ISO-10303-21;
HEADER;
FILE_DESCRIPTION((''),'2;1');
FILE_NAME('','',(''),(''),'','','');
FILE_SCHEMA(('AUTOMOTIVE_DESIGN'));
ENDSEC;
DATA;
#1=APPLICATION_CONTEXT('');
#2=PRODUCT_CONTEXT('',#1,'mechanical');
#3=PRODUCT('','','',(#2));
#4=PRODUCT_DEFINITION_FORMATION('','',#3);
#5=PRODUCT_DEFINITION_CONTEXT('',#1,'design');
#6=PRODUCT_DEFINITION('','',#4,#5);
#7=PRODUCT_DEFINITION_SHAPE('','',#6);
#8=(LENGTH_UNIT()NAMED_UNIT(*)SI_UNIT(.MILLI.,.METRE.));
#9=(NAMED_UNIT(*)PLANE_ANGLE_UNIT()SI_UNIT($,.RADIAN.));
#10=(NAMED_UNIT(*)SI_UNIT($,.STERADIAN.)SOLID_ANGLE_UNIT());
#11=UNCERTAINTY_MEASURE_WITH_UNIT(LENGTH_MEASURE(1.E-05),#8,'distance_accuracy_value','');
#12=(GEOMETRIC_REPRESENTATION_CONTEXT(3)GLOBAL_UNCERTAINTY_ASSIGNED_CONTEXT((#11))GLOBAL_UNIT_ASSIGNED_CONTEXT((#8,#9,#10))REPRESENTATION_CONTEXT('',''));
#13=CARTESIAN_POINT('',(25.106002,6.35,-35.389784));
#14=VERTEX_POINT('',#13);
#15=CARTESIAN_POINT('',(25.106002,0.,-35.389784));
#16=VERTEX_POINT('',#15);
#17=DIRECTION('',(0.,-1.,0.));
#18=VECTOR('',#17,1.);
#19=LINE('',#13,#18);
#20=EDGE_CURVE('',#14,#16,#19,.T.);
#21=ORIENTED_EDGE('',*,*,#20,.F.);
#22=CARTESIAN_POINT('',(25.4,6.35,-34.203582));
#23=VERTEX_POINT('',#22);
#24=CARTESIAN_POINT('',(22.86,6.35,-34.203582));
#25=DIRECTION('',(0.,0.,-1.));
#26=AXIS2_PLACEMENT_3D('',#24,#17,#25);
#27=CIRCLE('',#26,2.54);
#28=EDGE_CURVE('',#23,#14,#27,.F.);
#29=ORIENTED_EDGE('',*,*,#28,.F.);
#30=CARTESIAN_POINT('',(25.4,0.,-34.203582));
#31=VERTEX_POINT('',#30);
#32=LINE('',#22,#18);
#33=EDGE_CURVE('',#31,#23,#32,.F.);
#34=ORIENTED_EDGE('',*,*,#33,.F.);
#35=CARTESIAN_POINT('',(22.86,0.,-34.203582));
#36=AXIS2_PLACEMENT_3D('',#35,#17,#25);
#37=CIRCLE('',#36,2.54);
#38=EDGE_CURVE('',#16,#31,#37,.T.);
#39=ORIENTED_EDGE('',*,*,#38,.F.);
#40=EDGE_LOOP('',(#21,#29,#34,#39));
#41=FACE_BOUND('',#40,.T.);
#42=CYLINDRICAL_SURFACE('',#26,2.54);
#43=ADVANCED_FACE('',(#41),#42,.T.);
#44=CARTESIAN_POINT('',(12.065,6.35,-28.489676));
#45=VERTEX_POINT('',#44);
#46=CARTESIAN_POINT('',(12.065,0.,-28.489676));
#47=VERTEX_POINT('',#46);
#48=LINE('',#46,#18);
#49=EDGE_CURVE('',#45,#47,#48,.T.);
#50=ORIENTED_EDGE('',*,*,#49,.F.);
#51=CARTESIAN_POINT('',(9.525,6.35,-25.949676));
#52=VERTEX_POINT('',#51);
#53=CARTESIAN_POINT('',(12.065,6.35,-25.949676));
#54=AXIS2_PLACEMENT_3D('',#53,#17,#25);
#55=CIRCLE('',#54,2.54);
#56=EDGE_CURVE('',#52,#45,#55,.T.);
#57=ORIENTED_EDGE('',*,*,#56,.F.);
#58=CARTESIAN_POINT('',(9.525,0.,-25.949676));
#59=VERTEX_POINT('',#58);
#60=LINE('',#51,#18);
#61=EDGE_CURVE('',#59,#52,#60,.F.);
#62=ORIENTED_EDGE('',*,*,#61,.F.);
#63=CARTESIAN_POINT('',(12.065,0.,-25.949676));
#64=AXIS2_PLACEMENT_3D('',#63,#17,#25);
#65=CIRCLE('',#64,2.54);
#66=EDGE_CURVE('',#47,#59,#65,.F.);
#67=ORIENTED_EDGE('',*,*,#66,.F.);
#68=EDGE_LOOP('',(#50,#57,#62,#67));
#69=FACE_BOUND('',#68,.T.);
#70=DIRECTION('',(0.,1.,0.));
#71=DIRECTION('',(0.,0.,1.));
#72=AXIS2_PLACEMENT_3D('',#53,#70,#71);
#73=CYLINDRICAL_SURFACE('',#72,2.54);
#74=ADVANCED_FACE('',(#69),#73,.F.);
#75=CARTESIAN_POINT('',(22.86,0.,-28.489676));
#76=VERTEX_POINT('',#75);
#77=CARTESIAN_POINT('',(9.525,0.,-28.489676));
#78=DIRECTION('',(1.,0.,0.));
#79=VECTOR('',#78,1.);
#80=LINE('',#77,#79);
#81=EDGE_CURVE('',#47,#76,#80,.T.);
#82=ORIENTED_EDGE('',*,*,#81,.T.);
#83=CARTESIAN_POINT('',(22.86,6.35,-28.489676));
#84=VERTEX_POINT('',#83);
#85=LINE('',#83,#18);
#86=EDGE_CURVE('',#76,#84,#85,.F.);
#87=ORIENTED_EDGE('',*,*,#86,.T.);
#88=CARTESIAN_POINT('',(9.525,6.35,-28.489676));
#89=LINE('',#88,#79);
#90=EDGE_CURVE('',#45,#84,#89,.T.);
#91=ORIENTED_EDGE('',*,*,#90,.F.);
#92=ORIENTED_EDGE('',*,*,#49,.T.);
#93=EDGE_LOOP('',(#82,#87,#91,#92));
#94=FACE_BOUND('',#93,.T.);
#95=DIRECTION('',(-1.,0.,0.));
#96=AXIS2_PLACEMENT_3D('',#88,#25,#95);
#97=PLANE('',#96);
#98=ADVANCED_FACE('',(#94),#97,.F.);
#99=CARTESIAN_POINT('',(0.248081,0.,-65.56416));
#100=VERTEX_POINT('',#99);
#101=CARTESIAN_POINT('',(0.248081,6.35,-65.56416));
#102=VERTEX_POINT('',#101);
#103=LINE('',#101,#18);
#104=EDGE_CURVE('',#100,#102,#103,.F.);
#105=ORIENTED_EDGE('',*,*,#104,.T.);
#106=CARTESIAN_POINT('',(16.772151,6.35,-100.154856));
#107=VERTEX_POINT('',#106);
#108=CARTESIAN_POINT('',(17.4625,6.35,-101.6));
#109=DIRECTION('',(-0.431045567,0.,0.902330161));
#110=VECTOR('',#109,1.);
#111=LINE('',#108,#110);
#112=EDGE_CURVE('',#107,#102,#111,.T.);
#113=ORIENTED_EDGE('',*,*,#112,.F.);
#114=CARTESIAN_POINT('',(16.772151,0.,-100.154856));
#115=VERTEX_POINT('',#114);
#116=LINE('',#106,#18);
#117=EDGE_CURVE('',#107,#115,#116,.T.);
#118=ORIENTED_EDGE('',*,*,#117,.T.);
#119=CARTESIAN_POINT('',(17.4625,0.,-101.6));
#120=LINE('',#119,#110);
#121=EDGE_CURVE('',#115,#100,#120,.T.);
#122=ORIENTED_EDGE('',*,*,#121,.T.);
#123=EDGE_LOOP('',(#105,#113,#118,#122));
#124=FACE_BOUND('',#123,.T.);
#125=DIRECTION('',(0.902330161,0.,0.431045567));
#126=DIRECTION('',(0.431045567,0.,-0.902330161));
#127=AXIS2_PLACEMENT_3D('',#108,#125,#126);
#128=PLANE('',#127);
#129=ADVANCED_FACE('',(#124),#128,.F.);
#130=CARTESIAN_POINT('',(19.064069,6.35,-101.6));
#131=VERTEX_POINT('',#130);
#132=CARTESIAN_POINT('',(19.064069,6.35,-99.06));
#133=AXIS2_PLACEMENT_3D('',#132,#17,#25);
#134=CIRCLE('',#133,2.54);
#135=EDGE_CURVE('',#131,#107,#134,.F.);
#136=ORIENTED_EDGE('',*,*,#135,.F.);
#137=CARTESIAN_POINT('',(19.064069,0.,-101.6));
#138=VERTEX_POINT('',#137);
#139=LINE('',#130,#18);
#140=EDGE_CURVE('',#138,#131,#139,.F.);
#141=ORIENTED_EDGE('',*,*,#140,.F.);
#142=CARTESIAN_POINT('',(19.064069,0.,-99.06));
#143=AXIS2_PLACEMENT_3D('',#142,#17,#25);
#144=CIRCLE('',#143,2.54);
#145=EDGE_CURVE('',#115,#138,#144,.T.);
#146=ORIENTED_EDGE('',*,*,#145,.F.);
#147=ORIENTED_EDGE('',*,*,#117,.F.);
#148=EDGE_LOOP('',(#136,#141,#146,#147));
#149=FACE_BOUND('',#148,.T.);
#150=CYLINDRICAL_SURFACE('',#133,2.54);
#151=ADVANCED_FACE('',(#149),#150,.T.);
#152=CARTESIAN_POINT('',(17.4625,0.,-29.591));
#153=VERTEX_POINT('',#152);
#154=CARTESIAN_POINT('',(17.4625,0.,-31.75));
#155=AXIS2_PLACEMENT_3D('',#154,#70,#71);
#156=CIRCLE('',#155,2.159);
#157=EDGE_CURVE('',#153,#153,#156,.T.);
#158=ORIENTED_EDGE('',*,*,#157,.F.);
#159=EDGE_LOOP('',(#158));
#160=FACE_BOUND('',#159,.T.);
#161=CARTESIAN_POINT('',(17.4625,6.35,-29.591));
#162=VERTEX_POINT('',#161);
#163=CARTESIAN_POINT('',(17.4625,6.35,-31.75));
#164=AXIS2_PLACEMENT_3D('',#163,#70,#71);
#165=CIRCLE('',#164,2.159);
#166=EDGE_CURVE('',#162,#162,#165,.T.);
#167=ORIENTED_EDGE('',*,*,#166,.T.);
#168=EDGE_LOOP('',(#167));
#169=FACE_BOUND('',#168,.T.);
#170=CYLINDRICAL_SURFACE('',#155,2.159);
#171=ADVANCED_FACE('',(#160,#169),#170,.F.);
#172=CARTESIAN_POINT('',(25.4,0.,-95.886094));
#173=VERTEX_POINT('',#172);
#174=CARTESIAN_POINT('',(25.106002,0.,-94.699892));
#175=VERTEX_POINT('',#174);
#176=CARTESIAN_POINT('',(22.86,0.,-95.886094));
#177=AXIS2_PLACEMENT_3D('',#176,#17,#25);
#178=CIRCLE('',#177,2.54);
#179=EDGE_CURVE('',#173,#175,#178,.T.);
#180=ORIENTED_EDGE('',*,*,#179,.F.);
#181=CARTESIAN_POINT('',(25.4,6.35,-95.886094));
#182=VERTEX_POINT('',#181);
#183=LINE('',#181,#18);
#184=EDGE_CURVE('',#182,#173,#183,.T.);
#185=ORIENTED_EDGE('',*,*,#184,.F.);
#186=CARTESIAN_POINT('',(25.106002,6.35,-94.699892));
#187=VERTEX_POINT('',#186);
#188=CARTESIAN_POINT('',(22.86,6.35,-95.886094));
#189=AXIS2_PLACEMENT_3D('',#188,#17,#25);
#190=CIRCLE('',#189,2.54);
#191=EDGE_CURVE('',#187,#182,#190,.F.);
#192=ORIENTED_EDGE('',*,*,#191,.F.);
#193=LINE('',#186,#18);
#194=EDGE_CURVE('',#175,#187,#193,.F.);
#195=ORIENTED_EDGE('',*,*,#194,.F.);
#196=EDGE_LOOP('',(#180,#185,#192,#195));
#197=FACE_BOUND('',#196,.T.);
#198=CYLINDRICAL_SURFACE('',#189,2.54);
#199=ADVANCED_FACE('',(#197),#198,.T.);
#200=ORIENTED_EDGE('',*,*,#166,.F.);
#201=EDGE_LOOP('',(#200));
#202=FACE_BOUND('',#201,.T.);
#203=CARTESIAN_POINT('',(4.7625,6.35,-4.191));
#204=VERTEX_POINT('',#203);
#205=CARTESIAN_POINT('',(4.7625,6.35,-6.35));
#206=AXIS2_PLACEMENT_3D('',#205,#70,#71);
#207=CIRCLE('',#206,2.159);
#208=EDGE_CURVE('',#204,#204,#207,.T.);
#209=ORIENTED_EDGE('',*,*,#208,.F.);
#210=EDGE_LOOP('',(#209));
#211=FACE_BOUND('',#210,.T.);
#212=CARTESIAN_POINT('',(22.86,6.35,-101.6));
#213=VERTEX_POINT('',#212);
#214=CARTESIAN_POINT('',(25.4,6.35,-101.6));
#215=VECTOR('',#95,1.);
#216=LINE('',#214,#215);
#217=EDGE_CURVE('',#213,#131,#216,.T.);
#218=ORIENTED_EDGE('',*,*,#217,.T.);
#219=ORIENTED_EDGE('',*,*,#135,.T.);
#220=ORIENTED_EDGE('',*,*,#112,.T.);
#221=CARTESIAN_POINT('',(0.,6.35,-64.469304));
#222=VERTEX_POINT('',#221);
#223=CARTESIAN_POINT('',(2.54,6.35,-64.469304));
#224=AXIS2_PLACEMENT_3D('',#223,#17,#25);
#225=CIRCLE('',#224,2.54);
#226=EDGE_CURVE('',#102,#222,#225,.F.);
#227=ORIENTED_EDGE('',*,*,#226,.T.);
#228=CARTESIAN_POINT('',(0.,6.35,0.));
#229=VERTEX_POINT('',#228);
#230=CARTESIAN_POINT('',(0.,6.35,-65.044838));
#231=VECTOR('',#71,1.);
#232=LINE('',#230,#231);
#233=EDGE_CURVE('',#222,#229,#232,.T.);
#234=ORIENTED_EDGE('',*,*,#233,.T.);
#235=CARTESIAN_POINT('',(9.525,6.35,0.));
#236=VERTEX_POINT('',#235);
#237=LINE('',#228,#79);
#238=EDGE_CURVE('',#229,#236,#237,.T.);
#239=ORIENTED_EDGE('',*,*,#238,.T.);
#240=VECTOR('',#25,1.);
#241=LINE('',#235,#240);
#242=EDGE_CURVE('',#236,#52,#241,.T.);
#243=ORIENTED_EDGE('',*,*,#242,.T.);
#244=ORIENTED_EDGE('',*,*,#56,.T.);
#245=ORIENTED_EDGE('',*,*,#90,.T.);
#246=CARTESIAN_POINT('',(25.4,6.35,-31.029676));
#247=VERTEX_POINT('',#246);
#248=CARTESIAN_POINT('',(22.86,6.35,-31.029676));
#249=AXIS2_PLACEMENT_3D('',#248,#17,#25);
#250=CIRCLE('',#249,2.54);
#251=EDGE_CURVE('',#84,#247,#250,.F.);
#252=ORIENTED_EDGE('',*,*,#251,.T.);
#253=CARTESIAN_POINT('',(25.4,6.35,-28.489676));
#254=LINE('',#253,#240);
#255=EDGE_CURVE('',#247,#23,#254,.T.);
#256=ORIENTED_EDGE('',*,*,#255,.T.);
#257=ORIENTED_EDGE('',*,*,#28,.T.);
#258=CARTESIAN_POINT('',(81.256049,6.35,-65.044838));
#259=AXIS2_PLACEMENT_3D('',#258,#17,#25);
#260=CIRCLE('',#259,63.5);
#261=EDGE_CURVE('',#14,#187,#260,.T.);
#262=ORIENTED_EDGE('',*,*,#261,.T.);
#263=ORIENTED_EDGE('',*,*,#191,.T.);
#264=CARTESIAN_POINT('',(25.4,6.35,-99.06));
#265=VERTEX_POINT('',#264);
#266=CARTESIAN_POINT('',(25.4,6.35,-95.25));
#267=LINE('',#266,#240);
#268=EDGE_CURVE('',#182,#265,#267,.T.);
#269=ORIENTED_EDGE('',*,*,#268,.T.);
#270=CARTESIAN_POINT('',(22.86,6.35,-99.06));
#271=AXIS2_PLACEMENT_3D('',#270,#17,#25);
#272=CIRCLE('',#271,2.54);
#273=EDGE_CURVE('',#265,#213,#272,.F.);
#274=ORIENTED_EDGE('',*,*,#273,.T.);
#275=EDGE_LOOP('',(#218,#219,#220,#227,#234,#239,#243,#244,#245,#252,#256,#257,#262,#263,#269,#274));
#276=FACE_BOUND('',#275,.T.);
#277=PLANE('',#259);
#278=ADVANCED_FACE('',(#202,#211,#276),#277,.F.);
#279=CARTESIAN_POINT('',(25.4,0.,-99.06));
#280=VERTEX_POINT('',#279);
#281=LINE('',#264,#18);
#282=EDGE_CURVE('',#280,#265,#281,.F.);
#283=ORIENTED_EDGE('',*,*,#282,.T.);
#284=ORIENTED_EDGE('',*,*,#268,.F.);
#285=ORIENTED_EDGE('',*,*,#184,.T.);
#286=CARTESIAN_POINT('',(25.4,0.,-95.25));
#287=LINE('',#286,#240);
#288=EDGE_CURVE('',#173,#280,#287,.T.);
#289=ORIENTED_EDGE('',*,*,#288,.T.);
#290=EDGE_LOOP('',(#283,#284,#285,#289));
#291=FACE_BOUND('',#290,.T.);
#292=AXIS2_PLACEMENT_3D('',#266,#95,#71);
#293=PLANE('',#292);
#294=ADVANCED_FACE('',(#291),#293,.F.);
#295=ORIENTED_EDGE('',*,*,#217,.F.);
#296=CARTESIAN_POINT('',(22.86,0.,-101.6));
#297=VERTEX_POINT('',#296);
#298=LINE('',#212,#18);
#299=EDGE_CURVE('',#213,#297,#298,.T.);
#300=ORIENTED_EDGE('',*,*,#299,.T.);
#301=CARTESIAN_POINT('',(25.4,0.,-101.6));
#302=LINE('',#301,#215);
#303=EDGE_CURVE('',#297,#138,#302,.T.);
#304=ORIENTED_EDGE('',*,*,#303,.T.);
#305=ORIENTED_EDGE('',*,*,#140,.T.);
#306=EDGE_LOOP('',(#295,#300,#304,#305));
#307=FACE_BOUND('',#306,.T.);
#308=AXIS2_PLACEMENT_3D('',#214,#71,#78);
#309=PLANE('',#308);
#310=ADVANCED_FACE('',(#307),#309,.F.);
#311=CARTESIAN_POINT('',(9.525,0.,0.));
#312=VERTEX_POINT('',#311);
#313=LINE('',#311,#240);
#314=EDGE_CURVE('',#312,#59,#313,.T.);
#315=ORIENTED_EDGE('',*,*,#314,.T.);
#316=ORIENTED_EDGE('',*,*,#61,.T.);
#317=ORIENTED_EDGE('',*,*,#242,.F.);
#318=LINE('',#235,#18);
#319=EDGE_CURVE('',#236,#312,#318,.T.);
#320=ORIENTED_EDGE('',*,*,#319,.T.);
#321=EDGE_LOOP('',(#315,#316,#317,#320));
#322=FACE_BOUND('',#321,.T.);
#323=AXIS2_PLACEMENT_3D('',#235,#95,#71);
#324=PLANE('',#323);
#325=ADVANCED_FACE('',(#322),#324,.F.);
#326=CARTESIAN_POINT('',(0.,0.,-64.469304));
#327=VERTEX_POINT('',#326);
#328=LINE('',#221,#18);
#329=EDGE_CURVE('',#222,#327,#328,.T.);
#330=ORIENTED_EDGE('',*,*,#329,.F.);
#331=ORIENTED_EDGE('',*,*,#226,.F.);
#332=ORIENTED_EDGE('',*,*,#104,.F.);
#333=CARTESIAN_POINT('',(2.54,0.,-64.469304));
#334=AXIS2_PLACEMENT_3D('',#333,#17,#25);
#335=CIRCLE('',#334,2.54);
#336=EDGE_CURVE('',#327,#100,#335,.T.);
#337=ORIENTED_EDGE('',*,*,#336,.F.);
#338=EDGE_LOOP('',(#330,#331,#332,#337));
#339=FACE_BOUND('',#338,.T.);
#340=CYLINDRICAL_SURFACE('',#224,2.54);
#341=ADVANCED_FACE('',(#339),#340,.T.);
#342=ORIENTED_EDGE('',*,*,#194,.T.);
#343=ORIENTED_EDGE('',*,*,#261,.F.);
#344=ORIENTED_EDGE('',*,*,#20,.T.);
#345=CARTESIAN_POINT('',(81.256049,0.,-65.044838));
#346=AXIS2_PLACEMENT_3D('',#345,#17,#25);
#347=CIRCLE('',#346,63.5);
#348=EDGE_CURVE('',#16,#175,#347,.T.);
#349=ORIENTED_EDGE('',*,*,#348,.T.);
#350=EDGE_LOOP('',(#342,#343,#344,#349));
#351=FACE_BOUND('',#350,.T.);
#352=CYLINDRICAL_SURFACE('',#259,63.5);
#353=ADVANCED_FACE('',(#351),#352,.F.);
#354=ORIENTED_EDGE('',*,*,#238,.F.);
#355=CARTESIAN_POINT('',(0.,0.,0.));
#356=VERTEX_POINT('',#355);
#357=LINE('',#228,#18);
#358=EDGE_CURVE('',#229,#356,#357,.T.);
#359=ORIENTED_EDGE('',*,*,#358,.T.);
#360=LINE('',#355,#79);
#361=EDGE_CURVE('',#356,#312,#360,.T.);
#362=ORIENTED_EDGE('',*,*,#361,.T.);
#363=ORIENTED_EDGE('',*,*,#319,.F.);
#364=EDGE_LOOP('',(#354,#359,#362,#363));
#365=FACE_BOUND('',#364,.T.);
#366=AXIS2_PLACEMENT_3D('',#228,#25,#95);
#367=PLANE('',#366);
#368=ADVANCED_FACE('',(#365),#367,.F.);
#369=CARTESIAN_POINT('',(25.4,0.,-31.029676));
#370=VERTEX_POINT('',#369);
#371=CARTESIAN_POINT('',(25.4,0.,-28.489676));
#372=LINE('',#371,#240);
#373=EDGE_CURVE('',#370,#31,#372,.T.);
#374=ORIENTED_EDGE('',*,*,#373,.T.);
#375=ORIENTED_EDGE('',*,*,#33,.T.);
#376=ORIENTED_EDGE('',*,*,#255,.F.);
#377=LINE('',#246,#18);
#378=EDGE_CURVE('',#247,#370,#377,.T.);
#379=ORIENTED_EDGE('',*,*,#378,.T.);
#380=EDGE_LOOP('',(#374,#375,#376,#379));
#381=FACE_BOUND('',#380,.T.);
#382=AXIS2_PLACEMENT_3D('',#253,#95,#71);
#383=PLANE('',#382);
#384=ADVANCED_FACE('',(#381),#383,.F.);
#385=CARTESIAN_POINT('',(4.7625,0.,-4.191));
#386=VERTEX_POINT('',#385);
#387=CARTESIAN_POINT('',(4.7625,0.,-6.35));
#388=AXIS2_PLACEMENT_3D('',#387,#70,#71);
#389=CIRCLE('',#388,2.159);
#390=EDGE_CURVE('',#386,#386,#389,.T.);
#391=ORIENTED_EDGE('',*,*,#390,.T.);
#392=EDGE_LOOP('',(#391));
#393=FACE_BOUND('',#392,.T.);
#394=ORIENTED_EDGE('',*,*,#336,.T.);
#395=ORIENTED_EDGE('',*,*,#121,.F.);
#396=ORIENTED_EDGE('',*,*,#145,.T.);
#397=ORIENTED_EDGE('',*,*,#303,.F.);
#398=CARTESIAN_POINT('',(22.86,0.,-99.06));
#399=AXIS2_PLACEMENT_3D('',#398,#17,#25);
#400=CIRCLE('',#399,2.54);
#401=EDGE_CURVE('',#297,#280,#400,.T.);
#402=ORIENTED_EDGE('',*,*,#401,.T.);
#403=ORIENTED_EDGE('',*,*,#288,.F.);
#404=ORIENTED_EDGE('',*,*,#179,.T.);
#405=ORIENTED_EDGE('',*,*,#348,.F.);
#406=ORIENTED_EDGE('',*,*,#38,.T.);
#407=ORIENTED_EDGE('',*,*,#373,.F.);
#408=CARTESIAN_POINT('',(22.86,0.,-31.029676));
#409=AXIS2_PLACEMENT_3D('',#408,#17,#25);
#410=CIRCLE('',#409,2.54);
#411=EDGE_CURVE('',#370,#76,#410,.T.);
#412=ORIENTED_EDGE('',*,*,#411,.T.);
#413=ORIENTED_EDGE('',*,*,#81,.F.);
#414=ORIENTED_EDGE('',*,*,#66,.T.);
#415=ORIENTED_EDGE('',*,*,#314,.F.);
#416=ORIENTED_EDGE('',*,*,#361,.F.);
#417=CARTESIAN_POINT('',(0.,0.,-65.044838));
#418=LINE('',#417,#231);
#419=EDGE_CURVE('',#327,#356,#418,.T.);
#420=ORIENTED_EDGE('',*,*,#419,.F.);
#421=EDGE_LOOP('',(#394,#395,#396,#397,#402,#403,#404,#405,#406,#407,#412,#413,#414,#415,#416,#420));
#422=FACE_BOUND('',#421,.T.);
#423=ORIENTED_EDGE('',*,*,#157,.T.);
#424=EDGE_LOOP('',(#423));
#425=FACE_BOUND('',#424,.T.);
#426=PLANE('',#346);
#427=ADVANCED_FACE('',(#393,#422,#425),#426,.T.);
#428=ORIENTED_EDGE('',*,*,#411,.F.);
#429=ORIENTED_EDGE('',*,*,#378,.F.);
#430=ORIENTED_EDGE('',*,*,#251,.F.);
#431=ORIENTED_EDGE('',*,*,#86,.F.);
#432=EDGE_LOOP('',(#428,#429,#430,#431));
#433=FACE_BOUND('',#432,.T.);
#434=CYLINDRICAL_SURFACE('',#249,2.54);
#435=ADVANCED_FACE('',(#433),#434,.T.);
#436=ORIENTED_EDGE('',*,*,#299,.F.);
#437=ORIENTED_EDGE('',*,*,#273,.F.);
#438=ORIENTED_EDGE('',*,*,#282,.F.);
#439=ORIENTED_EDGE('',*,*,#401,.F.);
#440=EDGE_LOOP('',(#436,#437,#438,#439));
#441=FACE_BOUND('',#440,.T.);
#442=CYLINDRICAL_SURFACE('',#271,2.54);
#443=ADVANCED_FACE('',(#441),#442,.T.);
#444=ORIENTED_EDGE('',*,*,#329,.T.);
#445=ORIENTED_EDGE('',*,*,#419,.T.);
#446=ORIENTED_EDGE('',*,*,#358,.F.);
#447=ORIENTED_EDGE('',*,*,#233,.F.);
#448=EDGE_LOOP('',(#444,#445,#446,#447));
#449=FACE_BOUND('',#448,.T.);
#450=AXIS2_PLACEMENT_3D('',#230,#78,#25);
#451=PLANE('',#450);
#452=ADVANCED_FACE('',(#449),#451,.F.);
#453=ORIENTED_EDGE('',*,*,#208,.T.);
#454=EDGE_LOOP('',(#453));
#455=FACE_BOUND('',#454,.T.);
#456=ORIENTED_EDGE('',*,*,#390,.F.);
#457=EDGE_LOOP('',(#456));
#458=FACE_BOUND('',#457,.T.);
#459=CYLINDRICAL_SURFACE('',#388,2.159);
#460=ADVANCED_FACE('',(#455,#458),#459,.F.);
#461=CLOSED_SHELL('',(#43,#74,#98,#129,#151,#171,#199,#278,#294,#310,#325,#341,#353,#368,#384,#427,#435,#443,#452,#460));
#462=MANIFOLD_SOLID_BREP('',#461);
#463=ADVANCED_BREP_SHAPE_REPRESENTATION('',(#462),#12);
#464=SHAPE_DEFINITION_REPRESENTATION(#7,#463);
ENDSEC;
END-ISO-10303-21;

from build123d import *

# Parameters (mm, degrees)
BOSS_EXTRUDE1_DEPTH     = 6.35
CUT_EXTRUDE2_DEPTH      = 105.775
CUT_EXTRUDE2_DEPTH_BACK = 105.775
SKETCH5_R               = 2.159
FILLET1_R               = 2.54


with BuildPart() as part:
    # Sketch1 → Boss-Extrude1 (new body)
    with BuildSketch(Plane(origin=(0, 0, 0), x_dir=(1, 0, 0), z_dir=(0, 1, 0))):
        with BuildLine():
            Line((0, 0), (9.525, 0))
            Line((9.525, 0), (9.525, 28.48967645))
            Line((9.525, 28.48967645), (25.4, 28.48967645))
            Line((25.4, 28.48967645), (25.4, 34.83967645))
            ThreePointArc((25.4, 34.83967645), (17.756048931, 65.044838225), (25.4, 95.25))
            Line((25.4, 95.25), (25.4, 101.6))
            Line((25.4, 101.6), (17.4625, 101.6))
            Line((17.4625, 101.6), (0, 65.044838225))
            Line((0, 65.044838225), (0, 0))
        make_face()
    extrude(amount=BOSS_EXTRUDE1_DEPTH)

    # Sketch5 → Cut-Extrude2 (cut, two sides: drawn at the far end of the back side and taken through both)
    with BuildSketch(Plane(origin=(0, 3.175, 0), x_dir=(1, 0, 0), z_dir=(0, 1, 0)).offset(-CUT_EXTRUDE2_DEPTH_BACK)):
        with Locations(Location((17.4625, 31.75, 0), (0, 0, 270))):
            Circle(SKETCH5_R)
        with Locations(Location((4.7625, 6.35, 0), (0, 0, 270))):
            Circle(SKETCH5_R)
    extrude(amount=CUT_EXTRUDE2_DEPTH + CUT_EXTRUDE2_DEPTH_BACK, mode=Mode.SUBTRACT)

    # Fillet1
    fillet1_edges = [part.edges().sort_by_distance(p)[0] for p in [
        (0, 3.175, -65.044838225),
        (17.4625, 3.175, -101.6),
        (25.4, 3.175, -101.6),
        (25.4, 3.175, -95.25),
        (25.4, 3.175, -34.83967645),
        (25.4, 3.175, -28.48967645),
        (9.525, 3.175, -28.48967645),
    ]]
    fillet(fillet1_edges, radius=FILLET1_R)


solid = part.part
